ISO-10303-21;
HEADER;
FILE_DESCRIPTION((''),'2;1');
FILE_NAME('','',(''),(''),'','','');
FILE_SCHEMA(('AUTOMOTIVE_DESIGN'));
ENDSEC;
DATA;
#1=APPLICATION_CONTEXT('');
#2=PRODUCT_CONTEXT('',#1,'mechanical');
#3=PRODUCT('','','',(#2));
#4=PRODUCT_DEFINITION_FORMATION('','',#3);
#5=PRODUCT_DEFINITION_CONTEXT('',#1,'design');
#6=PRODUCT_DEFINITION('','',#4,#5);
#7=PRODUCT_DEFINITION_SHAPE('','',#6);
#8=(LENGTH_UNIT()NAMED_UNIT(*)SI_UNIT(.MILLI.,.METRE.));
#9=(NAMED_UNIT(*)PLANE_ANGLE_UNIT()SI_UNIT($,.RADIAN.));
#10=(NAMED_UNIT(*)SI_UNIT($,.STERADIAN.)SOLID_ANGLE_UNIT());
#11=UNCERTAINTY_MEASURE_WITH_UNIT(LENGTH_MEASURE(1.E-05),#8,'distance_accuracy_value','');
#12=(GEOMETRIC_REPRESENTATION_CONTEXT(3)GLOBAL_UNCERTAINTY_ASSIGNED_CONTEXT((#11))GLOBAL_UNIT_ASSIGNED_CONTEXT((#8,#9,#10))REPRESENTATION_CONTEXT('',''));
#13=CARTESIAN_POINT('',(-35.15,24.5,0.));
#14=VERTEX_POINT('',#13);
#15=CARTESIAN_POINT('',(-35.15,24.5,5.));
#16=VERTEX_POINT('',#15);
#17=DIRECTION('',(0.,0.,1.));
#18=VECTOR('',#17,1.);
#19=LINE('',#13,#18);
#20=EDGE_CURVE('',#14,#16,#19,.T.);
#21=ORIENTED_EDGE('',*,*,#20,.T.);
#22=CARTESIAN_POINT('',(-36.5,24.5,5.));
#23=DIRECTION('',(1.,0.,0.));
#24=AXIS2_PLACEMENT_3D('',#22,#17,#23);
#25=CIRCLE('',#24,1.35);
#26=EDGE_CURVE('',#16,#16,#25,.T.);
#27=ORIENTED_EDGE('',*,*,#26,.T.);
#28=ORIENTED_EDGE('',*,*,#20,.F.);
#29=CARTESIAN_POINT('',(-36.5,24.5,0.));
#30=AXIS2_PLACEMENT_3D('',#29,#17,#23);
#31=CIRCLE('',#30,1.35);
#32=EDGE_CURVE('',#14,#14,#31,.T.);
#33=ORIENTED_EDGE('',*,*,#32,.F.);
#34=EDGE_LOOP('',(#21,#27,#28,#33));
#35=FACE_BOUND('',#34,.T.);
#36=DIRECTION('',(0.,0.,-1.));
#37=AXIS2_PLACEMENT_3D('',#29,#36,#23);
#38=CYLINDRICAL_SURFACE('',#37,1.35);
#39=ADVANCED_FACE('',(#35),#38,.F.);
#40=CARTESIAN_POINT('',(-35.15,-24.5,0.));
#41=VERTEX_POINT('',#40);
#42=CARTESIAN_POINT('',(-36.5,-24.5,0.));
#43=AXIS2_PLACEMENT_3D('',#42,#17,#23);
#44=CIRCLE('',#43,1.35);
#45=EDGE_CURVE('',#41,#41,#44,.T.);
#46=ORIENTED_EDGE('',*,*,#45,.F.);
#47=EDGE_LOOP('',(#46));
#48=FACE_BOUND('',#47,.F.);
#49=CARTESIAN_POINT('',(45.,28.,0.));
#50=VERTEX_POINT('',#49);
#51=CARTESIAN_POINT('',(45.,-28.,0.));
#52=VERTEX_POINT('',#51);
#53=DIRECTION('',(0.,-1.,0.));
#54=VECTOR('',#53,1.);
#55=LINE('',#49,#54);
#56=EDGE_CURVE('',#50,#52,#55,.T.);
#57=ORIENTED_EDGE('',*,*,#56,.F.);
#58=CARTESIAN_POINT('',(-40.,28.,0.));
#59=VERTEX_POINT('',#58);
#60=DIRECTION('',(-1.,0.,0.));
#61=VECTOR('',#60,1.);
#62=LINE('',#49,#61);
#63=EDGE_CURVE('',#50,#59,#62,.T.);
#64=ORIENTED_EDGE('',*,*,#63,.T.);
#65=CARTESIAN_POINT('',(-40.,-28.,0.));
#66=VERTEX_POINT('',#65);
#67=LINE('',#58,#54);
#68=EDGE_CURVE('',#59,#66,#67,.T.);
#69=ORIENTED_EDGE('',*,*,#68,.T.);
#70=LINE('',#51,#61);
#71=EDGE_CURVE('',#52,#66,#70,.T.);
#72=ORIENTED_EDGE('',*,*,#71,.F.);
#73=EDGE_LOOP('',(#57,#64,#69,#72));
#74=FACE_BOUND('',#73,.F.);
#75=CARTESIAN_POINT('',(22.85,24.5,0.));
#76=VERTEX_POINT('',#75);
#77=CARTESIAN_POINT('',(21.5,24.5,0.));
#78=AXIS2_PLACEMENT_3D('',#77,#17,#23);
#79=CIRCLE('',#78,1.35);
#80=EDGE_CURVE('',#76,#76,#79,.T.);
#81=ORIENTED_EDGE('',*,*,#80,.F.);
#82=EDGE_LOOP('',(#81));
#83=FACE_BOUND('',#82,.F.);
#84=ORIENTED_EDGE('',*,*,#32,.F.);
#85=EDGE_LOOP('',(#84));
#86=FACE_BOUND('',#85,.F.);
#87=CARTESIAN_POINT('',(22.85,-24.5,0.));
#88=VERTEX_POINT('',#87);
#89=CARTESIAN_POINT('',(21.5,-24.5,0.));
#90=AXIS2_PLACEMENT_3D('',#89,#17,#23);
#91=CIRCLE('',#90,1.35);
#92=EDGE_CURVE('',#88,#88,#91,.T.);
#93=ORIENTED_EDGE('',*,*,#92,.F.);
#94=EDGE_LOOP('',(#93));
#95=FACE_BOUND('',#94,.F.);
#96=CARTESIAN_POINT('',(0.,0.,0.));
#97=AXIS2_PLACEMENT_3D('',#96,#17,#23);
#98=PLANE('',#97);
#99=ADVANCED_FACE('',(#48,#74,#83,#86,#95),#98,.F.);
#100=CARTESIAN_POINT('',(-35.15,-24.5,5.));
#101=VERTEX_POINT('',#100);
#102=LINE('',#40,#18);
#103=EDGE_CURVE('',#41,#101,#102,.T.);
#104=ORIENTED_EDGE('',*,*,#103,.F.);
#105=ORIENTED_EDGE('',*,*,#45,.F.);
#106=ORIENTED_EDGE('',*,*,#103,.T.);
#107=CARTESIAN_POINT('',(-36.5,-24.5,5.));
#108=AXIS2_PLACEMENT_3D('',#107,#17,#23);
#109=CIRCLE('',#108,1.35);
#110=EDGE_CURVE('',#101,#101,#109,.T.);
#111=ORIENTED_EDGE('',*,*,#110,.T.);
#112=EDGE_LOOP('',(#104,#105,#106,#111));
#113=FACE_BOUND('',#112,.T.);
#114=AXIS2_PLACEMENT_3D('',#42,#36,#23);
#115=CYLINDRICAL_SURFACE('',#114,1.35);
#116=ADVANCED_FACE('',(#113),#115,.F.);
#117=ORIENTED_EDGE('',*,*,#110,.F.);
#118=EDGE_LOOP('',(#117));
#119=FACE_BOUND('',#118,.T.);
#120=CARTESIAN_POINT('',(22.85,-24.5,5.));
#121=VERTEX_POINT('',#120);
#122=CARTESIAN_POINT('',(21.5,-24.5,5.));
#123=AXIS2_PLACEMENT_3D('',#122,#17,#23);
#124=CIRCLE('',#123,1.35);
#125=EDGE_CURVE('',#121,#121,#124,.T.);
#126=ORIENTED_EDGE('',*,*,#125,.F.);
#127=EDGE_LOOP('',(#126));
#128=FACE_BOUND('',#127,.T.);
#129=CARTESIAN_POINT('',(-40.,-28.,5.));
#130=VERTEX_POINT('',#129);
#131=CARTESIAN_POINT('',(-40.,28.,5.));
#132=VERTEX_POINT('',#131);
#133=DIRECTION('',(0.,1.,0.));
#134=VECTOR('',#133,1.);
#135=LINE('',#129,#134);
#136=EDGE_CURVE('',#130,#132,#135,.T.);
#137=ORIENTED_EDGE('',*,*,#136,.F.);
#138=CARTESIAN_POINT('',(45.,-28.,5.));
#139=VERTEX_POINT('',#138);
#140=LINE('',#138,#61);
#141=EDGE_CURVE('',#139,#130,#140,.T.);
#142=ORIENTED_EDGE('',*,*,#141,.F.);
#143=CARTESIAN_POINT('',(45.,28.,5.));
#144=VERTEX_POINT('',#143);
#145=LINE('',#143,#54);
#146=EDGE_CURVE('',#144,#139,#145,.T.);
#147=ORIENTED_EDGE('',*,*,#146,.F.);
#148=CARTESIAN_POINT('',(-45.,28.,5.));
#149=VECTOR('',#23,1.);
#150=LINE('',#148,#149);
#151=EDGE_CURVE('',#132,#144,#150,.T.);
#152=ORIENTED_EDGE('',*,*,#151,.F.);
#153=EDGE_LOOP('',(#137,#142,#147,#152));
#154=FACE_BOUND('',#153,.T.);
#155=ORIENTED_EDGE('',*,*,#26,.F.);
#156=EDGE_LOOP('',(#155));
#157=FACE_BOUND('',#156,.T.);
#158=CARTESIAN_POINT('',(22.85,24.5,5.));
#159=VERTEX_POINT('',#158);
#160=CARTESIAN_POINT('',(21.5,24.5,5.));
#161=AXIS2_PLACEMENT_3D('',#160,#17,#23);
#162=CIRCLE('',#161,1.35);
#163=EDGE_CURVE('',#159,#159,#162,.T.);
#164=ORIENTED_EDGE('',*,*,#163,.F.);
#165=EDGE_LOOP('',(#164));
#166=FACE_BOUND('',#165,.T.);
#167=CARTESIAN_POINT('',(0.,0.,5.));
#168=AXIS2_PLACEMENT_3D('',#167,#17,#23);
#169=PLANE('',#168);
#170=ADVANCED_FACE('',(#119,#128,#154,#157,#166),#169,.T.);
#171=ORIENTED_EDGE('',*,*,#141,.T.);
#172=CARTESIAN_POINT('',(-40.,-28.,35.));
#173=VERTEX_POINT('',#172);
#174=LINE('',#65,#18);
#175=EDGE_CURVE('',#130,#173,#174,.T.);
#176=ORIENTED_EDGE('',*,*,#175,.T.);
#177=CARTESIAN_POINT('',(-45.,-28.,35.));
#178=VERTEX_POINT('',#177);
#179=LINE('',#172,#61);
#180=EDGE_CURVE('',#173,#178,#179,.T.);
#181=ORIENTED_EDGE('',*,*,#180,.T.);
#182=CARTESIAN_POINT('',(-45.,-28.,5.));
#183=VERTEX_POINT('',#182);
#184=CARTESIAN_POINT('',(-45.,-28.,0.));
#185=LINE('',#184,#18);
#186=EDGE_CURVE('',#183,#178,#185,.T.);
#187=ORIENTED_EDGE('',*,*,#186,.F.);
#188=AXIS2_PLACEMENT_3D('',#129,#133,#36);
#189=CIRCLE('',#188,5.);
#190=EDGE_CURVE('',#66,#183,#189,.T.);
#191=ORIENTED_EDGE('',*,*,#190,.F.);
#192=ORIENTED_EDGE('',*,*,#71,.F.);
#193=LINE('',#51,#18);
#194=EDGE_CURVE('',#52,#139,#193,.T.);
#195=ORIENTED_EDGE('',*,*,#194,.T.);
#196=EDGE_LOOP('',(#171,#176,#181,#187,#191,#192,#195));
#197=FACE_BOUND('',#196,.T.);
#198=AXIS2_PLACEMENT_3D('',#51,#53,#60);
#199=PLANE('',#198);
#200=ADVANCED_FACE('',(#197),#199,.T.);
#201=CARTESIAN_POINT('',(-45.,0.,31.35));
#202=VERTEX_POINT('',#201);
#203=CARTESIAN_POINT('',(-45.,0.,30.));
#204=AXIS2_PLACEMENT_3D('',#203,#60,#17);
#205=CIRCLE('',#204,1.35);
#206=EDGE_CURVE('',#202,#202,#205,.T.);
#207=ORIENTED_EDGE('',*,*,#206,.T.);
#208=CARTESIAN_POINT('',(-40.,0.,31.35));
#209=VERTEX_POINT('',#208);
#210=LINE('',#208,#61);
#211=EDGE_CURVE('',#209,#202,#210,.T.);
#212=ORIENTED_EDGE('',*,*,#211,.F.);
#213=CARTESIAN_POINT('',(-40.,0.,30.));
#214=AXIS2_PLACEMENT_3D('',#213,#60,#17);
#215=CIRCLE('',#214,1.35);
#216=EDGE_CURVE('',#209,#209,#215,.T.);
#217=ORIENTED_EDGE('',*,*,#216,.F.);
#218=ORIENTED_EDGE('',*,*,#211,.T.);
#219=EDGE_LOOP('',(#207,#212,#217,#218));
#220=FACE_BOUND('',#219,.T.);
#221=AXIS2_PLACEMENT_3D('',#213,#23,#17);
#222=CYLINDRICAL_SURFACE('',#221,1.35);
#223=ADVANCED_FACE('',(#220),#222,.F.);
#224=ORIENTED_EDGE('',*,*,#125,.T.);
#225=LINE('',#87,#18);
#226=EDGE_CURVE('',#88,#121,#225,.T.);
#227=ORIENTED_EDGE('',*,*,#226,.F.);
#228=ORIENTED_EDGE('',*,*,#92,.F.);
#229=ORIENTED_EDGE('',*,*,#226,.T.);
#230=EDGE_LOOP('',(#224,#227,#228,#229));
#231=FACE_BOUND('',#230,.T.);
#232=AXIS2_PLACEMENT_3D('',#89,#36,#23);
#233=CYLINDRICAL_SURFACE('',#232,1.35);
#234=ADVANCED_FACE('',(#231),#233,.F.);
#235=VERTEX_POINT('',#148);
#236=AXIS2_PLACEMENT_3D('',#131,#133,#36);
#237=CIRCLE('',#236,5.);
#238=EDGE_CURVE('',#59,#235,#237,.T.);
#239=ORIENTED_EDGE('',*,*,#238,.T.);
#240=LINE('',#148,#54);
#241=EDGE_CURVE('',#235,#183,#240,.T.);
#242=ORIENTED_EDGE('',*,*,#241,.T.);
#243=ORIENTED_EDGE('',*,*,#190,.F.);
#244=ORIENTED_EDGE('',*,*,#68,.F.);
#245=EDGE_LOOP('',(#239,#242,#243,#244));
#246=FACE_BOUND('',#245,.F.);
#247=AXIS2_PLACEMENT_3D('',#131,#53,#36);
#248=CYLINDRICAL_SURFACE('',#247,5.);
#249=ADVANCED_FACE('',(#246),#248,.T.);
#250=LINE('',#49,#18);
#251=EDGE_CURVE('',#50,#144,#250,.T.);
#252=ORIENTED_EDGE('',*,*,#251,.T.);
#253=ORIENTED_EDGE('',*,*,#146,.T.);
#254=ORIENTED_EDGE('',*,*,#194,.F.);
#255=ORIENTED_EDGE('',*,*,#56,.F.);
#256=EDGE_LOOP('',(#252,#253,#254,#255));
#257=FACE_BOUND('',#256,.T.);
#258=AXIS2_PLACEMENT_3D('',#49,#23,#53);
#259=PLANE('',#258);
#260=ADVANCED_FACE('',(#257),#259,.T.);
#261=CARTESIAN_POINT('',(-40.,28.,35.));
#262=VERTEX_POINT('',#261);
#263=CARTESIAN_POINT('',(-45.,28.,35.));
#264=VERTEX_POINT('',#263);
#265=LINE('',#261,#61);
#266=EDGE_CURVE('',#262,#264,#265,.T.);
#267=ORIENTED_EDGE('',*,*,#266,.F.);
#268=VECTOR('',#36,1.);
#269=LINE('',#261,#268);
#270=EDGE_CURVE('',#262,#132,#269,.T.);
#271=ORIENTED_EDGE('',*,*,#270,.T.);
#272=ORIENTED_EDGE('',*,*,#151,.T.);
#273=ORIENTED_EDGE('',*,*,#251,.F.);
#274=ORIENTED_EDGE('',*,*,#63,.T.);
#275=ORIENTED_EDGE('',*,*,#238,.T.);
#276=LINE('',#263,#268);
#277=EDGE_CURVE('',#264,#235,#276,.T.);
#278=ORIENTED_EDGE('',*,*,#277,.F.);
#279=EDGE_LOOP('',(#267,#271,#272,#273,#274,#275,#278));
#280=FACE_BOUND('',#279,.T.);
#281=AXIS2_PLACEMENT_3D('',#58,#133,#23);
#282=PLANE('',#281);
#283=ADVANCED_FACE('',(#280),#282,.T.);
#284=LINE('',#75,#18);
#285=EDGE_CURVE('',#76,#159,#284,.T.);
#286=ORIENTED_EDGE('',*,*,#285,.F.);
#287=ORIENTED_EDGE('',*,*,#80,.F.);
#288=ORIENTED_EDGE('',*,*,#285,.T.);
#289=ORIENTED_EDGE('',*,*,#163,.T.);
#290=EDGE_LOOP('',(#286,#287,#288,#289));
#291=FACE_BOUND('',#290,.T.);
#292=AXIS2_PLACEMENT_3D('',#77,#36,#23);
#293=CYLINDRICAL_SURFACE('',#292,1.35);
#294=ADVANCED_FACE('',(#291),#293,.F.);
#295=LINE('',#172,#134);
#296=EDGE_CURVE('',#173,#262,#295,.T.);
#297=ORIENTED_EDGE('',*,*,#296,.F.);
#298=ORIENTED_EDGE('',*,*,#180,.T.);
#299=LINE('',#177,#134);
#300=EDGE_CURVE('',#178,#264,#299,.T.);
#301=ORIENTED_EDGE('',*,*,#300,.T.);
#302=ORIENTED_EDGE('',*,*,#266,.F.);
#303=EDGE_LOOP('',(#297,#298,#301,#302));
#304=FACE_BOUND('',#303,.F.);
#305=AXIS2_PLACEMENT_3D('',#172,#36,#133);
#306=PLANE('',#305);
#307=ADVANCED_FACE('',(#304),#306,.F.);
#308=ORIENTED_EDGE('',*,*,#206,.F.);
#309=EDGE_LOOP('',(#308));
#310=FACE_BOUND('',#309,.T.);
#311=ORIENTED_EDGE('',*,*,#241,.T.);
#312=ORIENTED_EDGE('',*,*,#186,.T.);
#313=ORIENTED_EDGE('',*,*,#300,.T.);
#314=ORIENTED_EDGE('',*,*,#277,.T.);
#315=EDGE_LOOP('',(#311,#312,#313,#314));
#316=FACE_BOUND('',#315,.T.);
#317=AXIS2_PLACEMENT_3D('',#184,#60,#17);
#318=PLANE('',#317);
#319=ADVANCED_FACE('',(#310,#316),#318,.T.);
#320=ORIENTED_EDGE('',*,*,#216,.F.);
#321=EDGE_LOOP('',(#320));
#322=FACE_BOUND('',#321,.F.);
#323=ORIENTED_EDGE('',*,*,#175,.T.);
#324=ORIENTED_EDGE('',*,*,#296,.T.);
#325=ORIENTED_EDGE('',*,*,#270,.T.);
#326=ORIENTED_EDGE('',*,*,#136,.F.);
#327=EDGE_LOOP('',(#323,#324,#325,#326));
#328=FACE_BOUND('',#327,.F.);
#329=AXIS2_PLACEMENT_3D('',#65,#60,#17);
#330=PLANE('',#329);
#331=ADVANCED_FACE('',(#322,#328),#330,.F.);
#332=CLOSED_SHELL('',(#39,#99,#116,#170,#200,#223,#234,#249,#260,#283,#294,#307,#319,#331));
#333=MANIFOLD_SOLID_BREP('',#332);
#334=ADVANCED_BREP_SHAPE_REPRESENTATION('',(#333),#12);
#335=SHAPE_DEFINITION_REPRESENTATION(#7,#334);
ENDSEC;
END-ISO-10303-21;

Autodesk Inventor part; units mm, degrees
ref_plane "YZ Plane" through (0, 0, 0) normal (1, 0, 0) x (0, 1, 0)
ref_plane "XZ Plane" through (0, 0, 0) normal (0, 1, 0) x (-1, 0, 0)
ref_plane "XY Plane" through (0, 0, 0) normal (0, 0, 1) x (1, 0, 0)
sketch "Sketch1" plane through (0, 0, 0) normal (0, 0, 1) x (1, 0, 0)
  line L0 (-45, 28) -> (45, 28)
  line L1 (45, 28) -> (45, -28)
  line L2 (45, -28) -> (-45, -28)
  line L3 (-45, -28) -> (-45, 28)
  line L4 (-45, 28) -> (45, -28) construction
  line L5 (45, 28) -> (-45, -28) construction
  line L6 (-40, -28) -> (-40, 28)
  circle A0 centre (-36.5, 24.5) radius 1.35
  line L7 (-10.2595, 0) -> (11.3926, 0)
  line L8 (-36.5, 24.5) -> (-7.5, 24.5)
  line L9 (-7.5, 24.5) -> (-7.5, 0)
  circle A1 centre (21.5, 24.5) radius 1.35
  circle A2 centre (-36.5, -24.5) radius 1.35
  circle A3 centre (21.5, -24.5) radius 1.35
  point P0 (0, 0)
  dimension "d0" = 90
  dimension "d1" = 56
  dimension "d4" = 5
  dimension "d5" = 2.7
  dimension "d6" = 3.5
  dimension "d7" = 3.5
  dimension "d8" = 29
  dimension "d9" = 49
extrude "Extrusion1" add sketch "Sketch1" along normal blind 5 contours L0 L1 L2 L6
sketch "Sketch4" plane through (-40, -28, 0) normal (-1, 0, 0) x (0, 0, 1)
  line L0 (0, 0) -> (5, 0) projected
  line L1 (0, 0) -> (35, 0)
  line L2 (35, 0) -> (35, 56)
  line L3 (35, 56) -> (0, 56)
  line L4 (0, 56) -> (0, 0)
  circle A0 centre (30, 28) radius 1.35
  point P0 (0, 28)
  dimension "d19" = 35
  dimension "d20" = 2.7
  dimension "d21" = 5
  dimension "d22" = 28
  dimension "d25" = 56
extrude "Extrusion3" add sketch "Sketch4" along normal blind 5
fillet "Fillet1" radius 5 1 edges at (-45, 0, 0)
properties part number "Pi4Bracket"
